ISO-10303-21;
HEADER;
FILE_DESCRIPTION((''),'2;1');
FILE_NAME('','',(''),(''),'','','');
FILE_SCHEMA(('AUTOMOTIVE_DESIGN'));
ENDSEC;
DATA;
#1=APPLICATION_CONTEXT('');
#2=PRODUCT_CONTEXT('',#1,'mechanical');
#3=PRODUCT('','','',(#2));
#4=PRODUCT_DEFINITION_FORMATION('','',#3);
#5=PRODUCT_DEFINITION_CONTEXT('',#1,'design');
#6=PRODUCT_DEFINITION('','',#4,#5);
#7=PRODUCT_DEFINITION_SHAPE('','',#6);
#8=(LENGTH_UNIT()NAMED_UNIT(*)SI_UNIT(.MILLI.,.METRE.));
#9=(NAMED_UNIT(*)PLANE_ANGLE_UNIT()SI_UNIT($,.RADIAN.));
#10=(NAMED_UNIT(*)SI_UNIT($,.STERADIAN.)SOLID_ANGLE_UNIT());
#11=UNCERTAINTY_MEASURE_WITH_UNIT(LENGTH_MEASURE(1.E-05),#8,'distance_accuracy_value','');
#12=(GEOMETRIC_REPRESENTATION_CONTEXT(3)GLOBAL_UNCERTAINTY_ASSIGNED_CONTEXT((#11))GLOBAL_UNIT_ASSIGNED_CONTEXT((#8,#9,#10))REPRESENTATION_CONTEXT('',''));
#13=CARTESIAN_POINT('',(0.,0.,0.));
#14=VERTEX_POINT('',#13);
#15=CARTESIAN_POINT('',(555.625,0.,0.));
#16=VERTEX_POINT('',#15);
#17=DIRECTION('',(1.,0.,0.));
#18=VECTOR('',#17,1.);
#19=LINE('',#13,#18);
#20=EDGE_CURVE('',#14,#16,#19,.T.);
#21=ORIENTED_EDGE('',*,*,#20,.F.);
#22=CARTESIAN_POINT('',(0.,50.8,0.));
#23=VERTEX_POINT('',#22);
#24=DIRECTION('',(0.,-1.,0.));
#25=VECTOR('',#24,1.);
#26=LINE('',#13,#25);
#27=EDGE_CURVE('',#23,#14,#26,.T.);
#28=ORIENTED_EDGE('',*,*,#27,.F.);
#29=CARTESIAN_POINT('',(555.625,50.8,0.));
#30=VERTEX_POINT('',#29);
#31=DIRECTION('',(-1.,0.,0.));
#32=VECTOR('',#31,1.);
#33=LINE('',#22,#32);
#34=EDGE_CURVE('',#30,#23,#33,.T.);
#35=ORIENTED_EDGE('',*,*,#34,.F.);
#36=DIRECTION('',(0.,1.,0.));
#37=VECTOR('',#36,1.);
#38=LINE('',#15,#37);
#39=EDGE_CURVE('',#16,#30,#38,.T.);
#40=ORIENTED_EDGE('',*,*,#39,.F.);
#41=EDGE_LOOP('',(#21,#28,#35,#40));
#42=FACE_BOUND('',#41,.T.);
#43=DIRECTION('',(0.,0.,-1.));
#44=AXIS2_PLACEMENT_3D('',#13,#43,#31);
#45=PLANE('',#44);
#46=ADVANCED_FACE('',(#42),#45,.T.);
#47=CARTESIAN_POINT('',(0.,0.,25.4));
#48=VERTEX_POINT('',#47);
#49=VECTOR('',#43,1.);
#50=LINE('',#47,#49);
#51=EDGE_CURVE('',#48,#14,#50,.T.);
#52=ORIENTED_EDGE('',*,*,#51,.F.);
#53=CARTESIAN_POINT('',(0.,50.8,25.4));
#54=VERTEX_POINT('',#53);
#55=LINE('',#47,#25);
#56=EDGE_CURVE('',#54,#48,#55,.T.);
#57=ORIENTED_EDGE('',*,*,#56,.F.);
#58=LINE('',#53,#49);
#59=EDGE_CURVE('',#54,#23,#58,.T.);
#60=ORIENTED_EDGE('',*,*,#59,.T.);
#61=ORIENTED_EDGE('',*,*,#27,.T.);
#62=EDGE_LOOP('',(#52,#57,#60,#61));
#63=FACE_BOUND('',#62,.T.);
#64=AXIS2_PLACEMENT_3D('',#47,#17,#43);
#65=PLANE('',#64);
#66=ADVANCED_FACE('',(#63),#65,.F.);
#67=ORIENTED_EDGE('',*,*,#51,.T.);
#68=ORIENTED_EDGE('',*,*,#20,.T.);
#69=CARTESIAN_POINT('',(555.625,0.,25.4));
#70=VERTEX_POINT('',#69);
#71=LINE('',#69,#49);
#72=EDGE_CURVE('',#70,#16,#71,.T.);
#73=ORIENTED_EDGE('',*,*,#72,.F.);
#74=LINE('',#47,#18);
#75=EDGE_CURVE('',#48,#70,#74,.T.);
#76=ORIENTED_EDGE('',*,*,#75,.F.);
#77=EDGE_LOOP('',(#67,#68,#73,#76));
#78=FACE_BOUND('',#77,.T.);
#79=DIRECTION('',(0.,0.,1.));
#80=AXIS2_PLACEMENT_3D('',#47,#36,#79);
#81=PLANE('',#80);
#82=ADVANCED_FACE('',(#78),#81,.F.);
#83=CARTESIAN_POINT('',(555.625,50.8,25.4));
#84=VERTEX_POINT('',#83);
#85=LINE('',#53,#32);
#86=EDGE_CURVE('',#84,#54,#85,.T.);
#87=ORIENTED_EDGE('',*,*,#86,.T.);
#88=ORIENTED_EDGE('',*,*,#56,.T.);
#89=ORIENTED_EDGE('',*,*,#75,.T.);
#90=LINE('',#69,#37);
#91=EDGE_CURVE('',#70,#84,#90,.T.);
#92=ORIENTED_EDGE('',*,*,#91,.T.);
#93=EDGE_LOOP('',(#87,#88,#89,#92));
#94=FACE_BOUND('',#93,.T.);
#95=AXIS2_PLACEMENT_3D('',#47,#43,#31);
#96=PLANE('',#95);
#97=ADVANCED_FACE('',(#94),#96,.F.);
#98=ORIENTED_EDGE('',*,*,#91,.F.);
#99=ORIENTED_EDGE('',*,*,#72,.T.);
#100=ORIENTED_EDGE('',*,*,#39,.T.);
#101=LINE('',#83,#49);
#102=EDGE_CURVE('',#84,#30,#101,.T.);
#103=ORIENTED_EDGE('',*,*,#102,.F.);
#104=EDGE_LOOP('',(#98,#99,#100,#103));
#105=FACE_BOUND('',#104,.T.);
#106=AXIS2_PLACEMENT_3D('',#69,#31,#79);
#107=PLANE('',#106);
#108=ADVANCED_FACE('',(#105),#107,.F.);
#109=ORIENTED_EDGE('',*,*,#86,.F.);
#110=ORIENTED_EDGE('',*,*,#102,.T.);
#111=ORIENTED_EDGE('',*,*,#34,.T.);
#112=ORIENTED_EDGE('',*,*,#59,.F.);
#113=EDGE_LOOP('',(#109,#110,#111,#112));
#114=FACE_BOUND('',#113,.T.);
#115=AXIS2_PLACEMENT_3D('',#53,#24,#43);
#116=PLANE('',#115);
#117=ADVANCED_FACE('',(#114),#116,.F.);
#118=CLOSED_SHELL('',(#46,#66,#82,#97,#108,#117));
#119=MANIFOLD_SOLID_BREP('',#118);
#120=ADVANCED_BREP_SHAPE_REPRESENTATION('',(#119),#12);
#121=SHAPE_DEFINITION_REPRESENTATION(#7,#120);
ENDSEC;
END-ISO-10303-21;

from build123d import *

# Parameters (mm, degrees)
SKETCH1_W           = 555.625
SKETCH1_H           = 50.8
BOSS_EXTRUDE1_DEPTH = 25.4


with BuildPart() as part:
    # Sketch1 → Boss-Extrude1 (new body)
    with BuildSketch(Plane.XY):
        with Locations((277.8125, 25.4)):
            Rectangle(SKETCH1_W, SKETCH1_H)
    extrude(amount=BOSS_EXTRUDE1_DEPTH)


solid = part.part
